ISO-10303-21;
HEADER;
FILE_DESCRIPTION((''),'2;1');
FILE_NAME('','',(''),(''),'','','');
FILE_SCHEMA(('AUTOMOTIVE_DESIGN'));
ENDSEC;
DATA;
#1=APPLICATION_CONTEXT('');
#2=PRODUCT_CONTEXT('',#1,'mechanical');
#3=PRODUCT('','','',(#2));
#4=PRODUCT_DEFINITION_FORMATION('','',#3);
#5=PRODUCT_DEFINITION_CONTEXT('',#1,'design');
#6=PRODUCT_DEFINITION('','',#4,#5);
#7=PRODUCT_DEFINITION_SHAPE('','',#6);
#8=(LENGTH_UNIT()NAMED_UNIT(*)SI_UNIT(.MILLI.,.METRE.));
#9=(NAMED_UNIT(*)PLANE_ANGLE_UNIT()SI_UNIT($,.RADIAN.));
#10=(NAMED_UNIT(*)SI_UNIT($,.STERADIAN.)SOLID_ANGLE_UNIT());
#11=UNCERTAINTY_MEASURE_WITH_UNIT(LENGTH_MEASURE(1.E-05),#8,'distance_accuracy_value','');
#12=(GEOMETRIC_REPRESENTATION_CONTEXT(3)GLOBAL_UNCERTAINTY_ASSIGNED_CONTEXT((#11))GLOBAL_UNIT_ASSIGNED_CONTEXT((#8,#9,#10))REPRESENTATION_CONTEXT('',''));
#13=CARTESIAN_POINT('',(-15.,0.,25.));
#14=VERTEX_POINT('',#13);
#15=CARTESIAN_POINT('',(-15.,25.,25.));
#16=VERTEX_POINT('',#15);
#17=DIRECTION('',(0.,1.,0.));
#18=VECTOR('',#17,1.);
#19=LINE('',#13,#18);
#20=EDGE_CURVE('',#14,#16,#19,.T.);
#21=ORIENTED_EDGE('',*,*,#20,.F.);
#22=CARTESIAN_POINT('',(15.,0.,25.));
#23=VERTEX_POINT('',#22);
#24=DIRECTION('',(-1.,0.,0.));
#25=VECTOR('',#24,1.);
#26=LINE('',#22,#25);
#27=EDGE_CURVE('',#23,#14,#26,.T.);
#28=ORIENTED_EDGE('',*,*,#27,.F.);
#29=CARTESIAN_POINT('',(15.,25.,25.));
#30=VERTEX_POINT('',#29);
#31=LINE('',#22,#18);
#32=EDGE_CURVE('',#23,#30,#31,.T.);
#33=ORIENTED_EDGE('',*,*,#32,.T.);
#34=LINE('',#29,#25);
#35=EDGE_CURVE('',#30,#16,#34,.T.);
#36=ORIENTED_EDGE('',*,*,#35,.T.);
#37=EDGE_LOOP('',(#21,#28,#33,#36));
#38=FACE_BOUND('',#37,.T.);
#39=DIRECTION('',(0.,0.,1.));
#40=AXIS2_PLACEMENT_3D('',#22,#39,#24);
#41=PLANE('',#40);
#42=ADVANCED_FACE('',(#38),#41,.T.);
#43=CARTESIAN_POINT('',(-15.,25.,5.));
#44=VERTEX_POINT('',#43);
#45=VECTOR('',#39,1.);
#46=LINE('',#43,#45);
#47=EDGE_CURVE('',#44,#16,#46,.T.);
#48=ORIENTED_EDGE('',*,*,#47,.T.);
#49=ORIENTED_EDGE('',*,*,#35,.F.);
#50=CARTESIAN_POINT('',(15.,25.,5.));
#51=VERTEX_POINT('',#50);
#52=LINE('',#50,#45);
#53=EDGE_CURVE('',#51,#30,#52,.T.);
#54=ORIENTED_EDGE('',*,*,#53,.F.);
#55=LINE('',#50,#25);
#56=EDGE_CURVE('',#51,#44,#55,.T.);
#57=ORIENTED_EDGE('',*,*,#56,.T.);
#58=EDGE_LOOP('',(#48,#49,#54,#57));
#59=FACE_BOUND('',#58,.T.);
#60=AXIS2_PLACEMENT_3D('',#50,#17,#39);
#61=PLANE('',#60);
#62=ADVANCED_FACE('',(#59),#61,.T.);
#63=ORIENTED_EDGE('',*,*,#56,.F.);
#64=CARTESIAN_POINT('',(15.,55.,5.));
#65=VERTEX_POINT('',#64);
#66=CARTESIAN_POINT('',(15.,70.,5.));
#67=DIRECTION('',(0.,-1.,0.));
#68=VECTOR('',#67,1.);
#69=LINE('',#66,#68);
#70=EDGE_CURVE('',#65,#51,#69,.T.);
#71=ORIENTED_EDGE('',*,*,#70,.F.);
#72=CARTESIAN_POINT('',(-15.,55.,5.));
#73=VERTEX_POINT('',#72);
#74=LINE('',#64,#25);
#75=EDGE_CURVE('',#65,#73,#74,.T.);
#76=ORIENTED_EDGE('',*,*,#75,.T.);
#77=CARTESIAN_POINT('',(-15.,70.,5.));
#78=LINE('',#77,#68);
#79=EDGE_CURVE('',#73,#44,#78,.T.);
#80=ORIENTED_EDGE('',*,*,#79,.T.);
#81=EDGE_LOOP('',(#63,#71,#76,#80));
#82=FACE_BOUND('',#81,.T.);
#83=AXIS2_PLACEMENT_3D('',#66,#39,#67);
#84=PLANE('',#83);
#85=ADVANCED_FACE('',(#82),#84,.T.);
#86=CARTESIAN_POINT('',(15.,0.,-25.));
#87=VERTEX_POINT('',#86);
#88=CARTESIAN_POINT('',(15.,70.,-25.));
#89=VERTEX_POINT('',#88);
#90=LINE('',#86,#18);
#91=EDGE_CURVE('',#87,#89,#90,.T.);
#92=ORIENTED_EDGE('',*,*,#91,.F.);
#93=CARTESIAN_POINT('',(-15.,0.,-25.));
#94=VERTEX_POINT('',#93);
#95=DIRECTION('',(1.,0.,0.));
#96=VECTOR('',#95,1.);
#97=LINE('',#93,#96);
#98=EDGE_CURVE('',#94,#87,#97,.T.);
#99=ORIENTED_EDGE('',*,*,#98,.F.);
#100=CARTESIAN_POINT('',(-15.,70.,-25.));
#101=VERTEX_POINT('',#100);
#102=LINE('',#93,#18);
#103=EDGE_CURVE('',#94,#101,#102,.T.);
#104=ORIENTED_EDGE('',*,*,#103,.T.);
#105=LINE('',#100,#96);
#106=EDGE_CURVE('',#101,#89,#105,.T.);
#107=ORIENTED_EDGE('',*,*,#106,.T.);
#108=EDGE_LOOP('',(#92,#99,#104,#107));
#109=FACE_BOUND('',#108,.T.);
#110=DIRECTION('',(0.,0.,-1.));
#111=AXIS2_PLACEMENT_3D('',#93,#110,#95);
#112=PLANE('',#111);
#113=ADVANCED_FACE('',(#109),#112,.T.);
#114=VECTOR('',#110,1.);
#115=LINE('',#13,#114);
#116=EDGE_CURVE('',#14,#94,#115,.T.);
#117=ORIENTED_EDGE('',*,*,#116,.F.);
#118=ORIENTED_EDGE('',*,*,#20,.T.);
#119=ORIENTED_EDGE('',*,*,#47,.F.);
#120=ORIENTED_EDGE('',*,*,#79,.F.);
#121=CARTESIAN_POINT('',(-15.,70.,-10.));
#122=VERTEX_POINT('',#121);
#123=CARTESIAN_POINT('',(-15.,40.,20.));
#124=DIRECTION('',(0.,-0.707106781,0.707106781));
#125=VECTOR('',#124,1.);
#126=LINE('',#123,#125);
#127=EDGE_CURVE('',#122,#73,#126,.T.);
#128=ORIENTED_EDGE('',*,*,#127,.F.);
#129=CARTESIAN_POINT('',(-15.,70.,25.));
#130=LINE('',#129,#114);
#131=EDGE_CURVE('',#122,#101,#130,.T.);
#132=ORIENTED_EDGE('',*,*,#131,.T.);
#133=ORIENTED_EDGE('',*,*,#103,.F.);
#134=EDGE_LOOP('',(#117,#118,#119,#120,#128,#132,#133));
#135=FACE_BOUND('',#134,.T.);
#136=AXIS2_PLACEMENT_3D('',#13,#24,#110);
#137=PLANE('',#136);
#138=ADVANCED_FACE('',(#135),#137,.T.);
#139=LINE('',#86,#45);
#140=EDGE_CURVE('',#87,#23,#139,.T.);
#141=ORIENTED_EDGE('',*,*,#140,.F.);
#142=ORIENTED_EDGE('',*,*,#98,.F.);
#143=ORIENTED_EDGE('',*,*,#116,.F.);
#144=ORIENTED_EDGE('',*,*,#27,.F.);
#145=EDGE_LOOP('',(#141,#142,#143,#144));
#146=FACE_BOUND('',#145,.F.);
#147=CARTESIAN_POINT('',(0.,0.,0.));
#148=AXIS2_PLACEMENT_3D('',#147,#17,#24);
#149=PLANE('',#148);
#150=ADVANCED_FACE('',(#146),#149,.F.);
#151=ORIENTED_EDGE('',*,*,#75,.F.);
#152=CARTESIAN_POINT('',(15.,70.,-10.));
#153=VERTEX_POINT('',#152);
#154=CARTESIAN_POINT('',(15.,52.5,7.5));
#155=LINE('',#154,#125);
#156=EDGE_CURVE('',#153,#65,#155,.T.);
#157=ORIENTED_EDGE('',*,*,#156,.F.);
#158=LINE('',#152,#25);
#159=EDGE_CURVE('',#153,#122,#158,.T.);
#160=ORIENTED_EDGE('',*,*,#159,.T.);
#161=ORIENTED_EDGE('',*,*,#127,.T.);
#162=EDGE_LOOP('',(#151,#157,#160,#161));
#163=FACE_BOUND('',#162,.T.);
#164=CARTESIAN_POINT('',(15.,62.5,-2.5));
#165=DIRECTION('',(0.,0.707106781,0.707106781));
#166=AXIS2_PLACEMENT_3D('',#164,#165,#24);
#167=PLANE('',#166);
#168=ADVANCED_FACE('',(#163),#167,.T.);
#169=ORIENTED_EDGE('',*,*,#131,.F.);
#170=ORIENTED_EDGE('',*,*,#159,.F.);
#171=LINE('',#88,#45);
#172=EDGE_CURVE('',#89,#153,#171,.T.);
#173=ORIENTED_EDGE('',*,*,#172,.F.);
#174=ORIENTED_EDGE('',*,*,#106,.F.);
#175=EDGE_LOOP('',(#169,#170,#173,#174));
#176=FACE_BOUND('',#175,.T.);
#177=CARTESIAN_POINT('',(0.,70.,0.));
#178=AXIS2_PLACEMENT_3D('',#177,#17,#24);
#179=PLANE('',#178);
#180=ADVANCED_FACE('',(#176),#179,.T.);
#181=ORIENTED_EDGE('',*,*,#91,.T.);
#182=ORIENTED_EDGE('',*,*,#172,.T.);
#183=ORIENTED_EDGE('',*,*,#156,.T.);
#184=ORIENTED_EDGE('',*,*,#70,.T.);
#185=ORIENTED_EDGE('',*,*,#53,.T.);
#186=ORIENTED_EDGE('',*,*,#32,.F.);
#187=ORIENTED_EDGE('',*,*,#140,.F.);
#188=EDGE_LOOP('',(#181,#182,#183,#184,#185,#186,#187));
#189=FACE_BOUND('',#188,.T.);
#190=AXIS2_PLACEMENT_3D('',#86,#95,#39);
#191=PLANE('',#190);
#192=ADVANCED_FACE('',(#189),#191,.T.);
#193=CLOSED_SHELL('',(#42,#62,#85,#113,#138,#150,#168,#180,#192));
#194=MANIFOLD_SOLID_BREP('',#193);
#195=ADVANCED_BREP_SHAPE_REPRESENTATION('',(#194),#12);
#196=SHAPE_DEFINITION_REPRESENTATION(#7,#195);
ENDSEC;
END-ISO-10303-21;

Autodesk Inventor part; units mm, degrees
ref_plane "YZ Plane" through (0, 0, 0) normal (1, 0, 0) x (0, 1, 0)
ref_plane "XZ Plane" through (0, 0, 0) normal (0, 1, 0) x (-1, 0, 0)
ref_plane "XY Plane" through (0, 0, 0) normal (0, 0, 1) x (1, 0, 0)
sketch "Esboço1" plane through (0, 0, 0) normal (0, 1, 0) x (-1, 0, 0)
  line L0 (-15, 25) -> (15, 25)
  line L1 (15, 25) -> (15, -25)
  line L2 (15, -25) -> (-15, -25)
  line L3 (-15, -25) -> (-15, 25)
  line L4 (-15, 25) -> (15, -25) construction
  line L5 (15, 25) -> (-15, -25) construction
  point P0 (0, 0)
  dimension "d0" = 30
  dimension "d1" = 50
extrude "Extrusão1" add sketch "Esboço1" along normal blind 70
sketch "Esboço2" plane through (15, 0, 25) normal (1, 0, 0) x (0, 0, -1)
  point P0 (25, 0)
sketch "Esboço3" plane through (15, 0, 25) normal (1, 0, 0) x (0, 0, -1)
  point P0 (25, 0)
sketch "Esboço4" plane through (15, 0, 25) normal (1, 0, 0) x (0, 0, -1)
  line L0 (0, 70) -> (20, 70)
  line L1 (20, 70) -> (20, 25)
  line L2 (20, 25) -> (0, 25)
  line L3 (0, 25) -> (0, 70)
  line L4 (50, 0) -> (50, 70) projected
  line L5 (0, 0) -> (50, 0) projected
  point P0 (25, 0)
  dimension "d4" = 30
  dimension "d5" = 25
extrude "Extrusão2" cut sketch "Esboço4" against normal blind 30
sketch "Esboço5" plane through (15, 0, 25) normal (1, 0, 0) x (0, 0, -1)
  point P0 (25, 0)
chamfer "Chanfro1" distance 15 angle 45 1 edges at (0, 70, 5) measured on face at (5, 70, -5)
